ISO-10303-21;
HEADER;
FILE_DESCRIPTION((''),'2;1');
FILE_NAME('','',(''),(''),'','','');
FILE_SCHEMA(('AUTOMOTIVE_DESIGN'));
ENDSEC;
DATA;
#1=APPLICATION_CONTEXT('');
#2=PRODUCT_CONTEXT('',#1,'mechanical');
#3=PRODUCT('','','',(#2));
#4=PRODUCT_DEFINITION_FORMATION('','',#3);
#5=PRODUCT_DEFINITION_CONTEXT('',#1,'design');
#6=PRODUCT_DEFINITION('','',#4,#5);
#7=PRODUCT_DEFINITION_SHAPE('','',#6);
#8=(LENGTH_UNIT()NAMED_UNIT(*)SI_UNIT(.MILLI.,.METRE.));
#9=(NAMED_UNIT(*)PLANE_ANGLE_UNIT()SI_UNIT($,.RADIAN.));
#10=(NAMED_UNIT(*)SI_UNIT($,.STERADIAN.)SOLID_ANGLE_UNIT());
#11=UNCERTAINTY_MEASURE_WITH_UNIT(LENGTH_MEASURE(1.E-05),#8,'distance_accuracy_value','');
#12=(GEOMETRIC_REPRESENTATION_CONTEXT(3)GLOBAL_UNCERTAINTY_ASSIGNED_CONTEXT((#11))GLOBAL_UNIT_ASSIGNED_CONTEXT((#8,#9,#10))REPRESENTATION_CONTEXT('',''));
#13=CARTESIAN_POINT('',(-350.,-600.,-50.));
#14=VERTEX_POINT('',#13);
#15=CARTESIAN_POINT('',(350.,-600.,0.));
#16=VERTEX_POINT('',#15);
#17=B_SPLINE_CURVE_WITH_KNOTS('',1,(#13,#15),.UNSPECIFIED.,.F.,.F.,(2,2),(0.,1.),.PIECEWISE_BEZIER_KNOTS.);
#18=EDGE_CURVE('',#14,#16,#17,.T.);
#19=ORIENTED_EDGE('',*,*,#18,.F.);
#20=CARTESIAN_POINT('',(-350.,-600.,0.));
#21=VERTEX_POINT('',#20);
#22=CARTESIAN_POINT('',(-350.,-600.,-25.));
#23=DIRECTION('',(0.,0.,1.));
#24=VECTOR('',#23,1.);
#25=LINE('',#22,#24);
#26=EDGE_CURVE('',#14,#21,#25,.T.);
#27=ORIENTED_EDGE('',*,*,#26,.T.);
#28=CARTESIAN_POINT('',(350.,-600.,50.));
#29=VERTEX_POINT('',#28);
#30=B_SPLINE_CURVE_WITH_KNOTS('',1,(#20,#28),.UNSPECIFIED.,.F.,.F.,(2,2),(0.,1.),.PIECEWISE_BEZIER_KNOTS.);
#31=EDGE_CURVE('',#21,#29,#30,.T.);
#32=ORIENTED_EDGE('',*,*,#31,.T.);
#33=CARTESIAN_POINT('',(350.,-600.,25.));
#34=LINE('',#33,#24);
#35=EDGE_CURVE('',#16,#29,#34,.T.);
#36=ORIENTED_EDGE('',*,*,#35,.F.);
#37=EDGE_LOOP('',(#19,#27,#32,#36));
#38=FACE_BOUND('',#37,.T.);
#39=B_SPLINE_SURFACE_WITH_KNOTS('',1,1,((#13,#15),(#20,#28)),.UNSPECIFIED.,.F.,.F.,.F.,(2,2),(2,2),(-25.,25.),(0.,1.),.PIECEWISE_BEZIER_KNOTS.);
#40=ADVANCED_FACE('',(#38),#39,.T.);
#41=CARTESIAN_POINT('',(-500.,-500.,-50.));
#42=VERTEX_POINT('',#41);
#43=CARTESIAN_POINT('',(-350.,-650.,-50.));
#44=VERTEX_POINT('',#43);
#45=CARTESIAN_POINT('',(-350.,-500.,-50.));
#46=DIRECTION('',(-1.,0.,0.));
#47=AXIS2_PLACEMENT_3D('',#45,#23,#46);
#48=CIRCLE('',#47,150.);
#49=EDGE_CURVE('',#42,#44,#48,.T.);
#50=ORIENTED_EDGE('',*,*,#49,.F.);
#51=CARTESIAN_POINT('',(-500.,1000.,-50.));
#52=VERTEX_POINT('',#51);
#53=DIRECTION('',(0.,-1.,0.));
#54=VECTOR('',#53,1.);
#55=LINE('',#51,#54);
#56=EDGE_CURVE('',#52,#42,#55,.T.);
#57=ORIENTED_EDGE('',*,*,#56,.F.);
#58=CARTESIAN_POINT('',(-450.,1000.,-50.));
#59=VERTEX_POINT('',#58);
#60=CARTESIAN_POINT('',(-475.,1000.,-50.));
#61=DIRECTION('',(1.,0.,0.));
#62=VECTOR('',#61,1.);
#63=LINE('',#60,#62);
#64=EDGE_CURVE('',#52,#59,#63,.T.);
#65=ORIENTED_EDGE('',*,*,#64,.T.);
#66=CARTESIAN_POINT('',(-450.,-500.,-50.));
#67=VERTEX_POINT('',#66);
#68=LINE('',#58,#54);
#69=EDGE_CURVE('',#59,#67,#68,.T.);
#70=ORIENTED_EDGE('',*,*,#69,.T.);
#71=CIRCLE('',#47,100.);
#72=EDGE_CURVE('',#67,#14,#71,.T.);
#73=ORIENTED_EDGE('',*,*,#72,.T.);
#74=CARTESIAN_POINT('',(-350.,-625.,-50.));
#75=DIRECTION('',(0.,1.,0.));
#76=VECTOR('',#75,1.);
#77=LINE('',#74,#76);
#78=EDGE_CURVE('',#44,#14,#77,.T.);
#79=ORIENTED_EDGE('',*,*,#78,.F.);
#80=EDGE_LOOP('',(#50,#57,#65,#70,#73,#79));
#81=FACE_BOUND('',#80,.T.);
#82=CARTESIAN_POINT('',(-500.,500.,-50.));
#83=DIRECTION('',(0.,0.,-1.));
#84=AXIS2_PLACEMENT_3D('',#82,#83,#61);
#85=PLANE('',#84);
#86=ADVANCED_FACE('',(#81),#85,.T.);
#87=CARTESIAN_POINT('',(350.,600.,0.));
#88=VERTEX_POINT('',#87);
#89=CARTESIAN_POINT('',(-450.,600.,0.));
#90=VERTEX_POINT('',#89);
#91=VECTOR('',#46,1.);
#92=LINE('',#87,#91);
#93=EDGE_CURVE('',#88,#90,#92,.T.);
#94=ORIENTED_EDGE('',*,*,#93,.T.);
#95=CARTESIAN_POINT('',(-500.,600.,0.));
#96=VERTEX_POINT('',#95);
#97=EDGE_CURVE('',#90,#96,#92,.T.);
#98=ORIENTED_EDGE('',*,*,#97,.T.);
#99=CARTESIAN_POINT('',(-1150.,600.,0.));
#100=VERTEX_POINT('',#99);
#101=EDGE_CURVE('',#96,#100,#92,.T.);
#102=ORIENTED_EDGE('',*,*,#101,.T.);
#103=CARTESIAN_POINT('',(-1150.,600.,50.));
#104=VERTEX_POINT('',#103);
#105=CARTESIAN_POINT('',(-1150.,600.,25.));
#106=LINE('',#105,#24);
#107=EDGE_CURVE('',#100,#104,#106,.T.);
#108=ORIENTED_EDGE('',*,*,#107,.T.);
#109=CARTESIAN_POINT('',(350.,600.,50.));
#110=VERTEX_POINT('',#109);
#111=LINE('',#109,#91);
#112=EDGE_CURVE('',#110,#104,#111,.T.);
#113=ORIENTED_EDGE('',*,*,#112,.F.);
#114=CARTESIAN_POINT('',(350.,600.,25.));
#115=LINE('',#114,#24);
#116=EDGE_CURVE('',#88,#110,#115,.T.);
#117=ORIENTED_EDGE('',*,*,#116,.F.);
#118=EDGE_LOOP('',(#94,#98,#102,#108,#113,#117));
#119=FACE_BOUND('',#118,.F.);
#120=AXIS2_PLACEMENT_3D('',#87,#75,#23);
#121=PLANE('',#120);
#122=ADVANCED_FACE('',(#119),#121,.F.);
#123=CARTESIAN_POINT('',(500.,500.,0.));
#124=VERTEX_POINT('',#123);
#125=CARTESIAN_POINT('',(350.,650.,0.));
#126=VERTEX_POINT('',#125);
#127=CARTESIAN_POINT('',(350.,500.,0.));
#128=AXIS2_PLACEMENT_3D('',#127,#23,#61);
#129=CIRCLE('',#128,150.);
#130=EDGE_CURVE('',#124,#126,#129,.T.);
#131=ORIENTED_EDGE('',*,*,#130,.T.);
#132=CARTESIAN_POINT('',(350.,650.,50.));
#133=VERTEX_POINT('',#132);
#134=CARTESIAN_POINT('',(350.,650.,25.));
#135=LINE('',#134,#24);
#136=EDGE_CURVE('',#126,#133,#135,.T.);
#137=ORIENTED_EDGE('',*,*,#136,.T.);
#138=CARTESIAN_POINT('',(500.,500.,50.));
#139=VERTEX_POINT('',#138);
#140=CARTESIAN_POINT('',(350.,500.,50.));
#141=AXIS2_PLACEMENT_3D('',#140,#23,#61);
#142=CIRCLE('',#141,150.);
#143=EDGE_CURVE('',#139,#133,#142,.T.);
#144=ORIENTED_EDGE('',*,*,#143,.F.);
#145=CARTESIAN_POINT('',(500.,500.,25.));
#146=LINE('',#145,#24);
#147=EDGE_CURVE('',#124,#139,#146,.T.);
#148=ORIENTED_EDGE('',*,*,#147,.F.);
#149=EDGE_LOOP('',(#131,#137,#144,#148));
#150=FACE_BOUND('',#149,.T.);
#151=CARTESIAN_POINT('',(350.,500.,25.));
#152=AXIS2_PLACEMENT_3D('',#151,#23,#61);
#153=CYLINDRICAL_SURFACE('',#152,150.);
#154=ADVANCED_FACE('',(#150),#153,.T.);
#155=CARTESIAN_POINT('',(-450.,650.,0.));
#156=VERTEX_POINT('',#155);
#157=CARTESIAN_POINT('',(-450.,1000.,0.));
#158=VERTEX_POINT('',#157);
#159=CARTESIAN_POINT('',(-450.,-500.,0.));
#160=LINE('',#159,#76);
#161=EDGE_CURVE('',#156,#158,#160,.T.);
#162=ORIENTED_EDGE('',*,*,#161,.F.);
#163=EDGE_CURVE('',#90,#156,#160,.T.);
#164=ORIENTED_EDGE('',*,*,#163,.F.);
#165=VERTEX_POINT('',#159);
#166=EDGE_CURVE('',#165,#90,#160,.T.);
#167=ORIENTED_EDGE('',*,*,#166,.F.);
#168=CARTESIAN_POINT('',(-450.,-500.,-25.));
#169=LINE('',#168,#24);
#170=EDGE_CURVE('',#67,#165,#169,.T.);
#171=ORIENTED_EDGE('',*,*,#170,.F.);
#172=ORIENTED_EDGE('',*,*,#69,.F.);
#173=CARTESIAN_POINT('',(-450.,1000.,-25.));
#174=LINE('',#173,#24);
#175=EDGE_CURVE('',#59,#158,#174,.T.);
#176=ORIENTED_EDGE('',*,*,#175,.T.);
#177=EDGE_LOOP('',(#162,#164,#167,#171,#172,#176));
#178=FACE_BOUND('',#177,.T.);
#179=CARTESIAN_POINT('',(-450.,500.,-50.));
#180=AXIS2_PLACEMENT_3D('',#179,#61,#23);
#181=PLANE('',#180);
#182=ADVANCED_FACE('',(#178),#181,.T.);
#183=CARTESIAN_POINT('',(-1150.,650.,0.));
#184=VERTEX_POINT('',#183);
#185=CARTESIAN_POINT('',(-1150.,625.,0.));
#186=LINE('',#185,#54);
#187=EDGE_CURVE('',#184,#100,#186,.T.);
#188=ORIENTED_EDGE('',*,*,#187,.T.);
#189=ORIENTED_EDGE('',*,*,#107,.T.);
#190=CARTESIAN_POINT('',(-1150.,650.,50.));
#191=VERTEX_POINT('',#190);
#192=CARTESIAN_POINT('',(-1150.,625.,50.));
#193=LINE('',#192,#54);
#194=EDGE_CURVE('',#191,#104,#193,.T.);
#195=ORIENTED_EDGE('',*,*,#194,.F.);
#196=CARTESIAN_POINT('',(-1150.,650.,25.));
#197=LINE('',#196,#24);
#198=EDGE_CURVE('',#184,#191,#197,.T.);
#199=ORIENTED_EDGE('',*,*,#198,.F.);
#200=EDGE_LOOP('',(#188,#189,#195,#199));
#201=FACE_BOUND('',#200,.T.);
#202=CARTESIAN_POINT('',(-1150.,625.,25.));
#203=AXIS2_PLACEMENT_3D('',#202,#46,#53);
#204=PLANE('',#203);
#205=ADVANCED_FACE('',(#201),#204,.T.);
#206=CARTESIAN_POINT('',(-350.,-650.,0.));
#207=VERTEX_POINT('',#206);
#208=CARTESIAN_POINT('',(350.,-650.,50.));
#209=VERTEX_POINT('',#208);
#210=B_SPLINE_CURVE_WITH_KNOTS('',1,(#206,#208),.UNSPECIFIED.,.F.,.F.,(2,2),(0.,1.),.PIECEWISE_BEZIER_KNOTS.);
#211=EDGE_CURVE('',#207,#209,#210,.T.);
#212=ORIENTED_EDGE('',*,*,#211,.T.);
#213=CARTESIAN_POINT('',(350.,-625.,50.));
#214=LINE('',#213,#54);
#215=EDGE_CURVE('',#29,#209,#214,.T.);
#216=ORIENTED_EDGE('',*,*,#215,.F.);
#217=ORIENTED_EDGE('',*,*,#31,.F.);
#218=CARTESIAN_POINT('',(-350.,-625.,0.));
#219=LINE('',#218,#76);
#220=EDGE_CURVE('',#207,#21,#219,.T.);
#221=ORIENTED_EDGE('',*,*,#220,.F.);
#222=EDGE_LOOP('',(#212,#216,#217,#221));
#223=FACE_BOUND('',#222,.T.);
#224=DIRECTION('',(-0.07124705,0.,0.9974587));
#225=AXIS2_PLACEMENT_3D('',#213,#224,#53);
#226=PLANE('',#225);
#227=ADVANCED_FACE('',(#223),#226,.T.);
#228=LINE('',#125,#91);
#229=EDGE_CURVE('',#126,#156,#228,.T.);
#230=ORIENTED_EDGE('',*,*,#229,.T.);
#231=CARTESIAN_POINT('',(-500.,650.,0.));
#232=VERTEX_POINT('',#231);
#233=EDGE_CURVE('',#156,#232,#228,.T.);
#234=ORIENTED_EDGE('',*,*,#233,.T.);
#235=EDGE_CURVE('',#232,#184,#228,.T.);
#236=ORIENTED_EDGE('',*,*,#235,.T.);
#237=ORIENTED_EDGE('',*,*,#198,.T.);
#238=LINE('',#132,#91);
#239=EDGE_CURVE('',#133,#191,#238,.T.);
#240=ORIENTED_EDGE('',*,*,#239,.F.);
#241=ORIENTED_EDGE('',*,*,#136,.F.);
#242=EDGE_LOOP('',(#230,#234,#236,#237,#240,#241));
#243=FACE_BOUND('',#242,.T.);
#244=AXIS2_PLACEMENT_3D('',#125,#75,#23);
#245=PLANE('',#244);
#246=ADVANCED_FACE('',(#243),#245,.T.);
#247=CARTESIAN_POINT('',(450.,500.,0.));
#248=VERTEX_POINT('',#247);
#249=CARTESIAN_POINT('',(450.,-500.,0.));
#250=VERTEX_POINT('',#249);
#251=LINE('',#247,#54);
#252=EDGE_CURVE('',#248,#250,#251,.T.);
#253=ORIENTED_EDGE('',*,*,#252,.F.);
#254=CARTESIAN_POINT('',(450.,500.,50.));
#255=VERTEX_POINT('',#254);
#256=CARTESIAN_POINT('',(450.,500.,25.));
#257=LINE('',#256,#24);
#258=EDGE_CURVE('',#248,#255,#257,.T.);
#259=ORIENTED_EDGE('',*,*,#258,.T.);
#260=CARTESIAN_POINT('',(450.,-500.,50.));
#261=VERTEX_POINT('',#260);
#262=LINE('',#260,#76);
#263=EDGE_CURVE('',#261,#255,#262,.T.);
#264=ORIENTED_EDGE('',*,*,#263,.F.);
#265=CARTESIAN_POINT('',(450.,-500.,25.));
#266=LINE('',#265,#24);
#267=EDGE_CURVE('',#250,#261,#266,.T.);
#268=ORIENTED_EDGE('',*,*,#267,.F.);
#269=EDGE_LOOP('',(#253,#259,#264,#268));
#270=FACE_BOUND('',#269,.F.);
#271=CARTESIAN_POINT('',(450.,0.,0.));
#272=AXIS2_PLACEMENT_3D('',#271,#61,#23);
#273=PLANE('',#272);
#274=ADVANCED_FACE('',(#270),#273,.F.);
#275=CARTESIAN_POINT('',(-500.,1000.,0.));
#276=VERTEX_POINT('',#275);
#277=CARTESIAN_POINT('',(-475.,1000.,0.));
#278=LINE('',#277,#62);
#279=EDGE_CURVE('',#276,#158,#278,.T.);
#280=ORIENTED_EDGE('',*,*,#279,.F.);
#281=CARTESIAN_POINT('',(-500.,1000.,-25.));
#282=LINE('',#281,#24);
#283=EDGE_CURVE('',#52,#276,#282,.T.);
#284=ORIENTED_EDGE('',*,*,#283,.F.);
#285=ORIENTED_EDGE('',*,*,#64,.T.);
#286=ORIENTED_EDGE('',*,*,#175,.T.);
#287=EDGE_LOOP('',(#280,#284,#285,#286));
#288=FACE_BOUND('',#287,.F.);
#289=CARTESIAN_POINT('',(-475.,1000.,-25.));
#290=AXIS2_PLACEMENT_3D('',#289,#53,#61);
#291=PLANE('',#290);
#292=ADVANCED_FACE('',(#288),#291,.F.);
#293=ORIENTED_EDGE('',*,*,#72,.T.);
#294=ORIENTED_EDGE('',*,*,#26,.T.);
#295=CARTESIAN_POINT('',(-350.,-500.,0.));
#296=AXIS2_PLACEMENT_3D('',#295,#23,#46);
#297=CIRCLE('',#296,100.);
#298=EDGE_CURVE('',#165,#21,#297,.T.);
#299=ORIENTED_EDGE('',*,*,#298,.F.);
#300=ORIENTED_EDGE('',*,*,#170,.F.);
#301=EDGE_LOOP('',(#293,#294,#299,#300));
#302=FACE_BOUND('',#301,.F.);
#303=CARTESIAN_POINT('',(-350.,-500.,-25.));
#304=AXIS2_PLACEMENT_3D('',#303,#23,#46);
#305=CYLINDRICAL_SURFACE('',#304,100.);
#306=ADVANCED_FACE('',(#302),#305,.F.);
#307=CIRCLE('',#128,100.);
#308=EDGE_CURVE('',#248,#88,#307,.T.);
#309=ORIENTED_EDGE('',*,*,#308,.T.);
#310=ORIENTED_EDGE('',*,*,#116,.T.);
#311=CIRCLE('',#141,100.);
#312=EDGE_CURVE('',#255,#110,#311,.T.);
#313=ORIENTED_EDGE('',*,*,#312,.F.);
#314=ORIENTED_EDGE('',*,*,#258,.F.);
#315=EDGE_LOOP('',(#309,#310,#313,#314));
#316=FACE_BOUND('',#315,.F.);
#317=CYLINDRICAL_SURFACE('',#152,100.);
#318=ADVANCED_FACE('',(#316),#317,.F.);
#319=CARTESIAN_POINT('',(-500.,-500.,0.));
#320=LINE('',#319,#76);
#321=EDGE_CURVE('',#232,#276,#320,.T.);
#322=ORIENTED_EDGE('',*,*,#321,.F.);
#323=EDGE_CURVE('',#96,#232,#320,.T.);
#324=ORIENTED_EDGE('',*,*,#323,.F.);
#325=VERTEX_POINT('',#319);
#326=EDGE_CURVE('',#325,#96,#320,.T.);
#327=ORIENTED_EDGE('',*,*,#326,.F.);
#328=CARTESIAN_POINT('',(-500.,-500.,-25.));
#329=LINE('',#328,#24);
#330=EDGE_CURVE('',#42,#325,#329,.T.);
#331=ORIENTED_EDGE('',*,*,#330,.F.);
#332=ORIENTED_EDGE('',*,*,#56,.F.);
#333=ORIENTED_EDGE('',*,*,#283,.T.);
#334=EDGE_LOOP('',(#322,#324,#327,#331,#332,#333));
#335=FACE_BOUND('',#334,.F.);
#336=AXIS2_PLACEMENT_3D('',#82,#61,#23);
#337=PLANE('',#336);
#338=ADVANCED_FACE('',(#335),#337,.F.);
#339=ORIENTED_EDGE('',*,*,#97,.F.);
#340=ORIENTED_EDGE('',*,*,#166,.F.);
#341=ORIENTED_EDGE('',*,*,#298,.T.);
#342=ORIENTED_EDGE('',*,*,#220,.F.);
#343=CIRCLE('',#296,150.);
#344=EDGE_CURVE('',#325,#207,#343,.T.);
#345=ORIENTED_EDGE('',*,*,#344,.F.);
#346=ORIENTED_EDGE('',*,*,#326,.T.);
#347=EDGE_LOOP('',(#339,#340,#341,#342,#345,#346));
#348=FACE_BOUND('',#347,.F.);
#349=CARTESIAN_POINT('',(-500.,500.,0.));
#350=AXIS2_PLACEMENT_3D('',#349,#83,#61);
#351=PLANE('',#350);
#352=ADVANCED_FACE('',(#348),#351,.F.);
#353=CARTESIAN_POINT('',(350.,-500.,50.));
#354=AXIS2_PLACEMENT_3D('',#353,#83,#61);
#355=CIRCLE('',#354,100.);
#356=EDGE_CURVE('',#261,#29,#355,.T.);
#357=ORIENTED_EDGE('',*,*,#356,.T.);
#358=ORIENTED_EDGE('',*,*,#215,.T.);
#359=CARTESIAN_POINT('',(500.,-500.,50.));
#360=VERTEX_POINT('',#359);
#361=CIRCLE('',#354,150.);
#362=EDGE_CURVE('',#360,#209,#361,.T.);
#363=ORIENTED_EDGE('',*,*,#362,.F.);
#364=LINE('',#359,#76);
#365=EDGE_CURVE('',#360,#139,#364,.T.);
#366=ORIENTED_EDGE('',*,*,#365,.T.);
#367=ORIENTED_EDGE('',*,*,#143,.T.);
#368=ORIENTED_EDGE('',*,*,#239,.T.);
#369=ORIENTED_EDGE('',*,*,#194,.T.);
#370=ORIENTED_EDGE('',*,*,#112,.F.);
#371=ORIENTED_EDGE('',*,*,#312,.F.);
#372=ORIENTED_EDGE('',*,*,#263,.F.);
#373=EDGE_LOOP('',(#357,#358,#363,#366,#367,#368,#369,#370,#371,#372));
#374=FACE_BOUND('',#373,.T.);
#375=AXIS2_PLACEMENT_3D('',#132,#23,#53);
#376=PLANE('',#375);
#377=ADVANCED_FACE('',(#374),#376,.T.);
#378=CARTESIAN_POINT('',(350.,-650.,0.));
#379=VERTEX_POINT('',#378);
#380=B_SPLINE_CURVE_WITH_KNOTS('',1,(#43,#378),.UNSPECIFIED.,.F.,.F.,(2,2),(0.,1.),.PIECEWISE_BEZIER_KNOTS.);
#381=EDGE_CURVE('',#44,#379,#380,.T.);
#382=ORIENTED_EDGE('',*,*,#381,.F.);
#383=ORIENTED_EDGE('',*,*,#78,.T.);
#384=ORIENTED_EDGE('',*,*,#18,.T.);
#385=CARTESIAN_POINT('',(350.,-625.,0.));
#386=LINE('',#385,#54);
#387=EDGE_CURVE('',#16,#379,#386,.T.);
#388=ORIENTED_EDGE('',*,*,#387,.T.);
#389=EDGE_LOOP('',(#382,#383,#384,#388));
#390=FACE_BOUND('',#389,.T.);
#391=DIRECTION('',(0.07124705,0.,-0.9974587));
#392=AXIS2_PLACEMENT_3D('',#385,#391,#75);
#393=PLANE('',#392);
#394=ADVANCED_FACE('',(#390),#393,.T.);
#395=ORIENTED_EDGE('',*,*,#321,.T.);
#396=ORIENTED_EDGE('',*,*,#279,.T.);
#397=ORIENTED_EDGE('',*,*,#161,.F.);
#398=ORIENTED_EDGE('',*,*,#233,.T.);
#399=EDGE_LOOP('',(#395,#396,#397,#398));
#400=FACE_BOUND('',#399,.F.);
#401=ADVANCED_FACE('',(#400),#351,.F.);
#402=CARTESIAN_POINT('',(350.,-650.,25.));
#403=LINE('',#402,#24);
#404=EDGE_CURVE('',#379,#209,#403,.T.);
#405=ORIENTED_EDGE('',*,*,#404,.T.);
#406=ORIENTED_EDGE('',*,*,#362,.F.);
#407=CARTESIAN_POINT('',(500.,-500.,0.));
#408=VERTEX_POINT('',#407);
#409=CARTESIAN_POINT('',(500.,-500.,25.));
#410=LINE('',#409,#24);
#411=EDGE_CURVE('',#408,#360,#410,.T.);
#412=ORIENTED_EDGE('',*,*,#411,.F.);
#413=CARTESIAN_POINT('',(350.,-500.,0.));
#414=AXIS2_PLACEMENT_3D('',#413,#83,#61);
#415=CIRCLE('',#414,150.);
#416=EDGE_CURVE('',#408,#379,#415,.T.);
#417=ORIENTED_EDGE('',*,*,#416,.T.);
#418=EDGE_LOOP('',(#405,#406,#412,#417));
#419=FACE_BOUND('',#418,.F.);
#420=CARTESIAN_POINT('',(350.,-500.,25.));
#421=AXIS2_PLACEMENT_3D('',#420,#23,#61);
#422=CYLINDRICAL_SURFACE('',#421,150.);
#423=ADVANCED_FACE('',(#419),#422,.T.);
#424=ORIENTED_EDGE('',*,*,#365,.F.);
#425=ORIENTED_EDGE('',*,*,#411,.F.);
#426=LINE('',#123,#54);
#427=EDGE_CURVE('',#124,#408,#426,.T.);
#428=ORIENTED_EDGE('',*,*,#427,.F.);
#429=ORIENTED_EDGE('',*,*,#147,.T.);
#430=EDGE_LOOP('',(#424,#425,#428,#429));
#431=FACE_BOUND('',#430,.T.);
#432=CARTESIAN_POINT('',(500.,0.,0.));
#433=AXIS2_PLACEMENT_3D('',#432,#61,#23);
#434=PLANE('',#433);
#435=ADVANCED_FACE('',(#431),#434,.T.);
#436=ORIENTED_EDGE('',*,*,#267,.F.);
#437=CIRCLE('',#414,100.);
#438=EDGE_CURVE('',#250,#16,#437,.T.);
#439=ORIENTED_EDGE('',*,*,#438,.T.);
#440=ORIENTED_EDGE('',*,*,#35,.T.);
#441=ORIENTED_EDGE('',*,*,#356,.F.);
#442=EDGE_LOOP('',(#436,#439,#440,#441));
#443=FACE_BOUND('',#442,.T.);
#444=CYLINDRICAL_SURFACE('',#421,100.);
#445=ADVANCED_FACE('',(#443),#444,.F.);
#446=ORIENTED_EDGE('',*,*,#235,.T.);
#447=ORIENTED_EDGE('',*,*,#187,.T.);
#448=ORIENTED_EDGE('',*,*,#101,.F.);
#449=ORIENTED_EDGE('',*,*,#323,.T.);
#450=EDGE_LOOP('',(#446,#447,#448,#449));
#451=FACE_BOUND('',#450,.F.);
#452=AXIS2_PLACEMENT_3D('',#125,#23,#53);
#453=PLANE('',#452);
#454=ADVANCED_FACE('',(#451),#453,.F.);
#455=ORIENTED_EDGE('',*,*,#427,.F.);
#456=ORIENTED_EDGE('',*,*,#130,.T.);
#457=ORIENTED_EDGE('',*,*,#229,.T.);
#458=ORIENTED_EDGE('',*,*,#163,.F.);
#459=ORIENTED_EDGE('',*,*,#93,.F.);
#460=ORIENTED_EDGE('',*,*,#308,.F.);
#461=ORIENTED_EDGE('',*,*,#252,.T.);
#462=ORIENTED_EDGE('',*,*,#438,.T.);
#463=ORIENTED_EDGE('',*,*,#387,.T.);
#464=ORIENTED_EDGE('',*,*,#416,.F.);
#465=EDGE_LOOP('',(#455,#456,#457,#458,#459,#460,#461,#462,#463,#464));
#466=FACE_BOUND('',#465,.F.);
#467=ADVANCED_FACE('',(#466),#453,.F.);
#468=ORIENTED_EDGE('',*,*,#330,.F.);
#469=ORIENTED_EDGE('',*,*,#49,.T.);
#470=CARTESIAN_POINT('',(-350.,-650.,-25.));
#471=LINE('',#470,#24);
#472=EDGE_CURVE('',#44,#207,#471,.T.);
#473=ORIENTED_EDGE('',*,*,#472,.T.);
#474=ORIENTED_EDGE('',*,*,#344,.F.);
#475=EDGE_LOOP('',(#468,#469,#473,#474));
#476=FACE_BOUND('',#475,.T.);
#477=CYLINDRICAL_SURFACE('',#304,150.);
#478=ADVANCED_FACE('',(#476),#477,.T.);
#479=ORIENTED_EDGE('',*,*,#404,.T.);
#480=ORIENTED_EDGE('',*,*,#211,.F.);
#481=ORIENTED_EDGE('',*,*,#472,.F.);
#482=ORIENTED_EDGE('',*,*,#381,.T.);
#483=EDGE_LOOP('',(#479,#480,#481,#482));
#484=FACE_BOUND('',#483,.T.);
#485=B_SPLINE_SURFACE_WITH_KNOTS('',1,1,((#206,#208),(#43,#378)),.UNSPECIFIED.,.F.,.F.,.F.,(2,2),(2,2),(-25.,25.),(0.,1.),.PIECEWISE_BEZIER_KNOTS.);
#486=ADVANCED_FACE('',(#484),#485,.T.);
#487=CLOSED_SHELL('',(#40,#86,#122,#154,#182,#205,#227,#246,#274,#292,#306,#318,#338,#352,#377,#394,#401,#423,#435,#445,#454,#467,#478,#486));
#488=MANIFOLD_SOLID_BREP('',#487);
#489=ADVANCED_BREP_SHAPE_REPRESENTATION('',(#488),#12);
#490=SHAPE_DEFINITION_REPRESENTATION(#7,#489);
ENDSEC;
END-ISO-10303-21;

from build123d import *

# Parameters (mm, degrees)
F0_W      = 50
F0_H      = 50
F1_DEPTH  = 500
F3_W      = 50
F3_H      = 50
F4_ANGLE  = 90
F5_ANGLE  = 90
F4_FACE_W = 50
F4_FACE_H = 50
F5_FACE_W = 50
F5_FACE_H = 50
F7_DEPTH  = 500
F8_W      = 50
F8_H      = 50
F9_ANGLE  = 90
F10_DEPTH = 1500


with BuildPart() as f1:
    # F0 (on Front) → F1 (new body, symmetric)
    with BuildSketch(Plane.XZ):
        with Locations((475, 25)):
            Rectangle(F0_W, F0_H)
    extrude(amount=F1_DEPTH, both=True)

    # F3 (on offset) → F5 (revolve)
    with BuildSketch(Plane.XZ.offset(500)):
        with Locations((475, 25)):
            Rectangle(F3_W, F3_H)
    revolve(axis=Axis((350, -500, -3.7102438509), (0, 0, -1)), revolution_arc=F5_ANGLE)



with BuildPart() as f1b:
    # F0 (on Front) → F1, piece 2 (new body, symmetric)
    with BuildSketch(Plane.XZ):
        with Locations((-475, -25)):
            Rectangle(F0_W, F0_H)
    extrude(amount=F1_DEPTH, both=True)

    # F3 (on offset) → F4 (revolve)
    with BuildSketch(Plane.XZ.offset(500)):
        with Locations((-475, -25)):
            Rectangle(F3_W, F3_H)
    revolve(axis=Axis((-350, -500, -32.6501708478), (0, 0, 1)), revolution_arc=F4_ANGLE)


with BuildPart() as f1_1:
    add(f1.part)

    add(f1b.part)  # F6 merges F1b
    # F4_face (on face) → F6 section 0
    with BuildSketch(Plane(origin=(-350, -625, -25), x_dir=(0, 1, 0), z_dir=(1, 0, 0))):
        Rectangle(F4_FACE_W, F4_FACE_H)
    # F5_face (on face) → F6 section 1
    with BuildSketch(Plane(origin=(350, -625, 25), x_dir=(0, -1, 0), z_dir=(-1, 0, 0))):
        Rectangle(F5_FACE_W, F5_FACE_H)
    loft()

    # F7 (add): a face of the model
    f7_faces = [f1_1.faces().sort_by_distance(p)[0] for p in [
        (-475, 500, -25),
    ]]
    extrude(f7_faces, amount=F7_DEPTH)

    # F8 (on face) → F9 (revolve)
    with BuildSketch(Plane(origin=(0, 500, 0), x_dir=(-1, 0, 0), z_dir=(0, 1, 0))):
        with Locations((-475, 25)):
            Rectangle(F8_W, F8_H)
    revolve(axis=Axis((350, 500, -1.4840960503), (0, 0, 1)), revolution_arc=F9_ANGLE)

    # F10 (add): a face of the model
    f10_faces = [f1_1.faces().sort_by_distance(p)[0] for p in [
        (350, 625, 25),
    ]]
    extrude(f10_faces, amount=F10_DEPTH)


solid = f1_1.part
